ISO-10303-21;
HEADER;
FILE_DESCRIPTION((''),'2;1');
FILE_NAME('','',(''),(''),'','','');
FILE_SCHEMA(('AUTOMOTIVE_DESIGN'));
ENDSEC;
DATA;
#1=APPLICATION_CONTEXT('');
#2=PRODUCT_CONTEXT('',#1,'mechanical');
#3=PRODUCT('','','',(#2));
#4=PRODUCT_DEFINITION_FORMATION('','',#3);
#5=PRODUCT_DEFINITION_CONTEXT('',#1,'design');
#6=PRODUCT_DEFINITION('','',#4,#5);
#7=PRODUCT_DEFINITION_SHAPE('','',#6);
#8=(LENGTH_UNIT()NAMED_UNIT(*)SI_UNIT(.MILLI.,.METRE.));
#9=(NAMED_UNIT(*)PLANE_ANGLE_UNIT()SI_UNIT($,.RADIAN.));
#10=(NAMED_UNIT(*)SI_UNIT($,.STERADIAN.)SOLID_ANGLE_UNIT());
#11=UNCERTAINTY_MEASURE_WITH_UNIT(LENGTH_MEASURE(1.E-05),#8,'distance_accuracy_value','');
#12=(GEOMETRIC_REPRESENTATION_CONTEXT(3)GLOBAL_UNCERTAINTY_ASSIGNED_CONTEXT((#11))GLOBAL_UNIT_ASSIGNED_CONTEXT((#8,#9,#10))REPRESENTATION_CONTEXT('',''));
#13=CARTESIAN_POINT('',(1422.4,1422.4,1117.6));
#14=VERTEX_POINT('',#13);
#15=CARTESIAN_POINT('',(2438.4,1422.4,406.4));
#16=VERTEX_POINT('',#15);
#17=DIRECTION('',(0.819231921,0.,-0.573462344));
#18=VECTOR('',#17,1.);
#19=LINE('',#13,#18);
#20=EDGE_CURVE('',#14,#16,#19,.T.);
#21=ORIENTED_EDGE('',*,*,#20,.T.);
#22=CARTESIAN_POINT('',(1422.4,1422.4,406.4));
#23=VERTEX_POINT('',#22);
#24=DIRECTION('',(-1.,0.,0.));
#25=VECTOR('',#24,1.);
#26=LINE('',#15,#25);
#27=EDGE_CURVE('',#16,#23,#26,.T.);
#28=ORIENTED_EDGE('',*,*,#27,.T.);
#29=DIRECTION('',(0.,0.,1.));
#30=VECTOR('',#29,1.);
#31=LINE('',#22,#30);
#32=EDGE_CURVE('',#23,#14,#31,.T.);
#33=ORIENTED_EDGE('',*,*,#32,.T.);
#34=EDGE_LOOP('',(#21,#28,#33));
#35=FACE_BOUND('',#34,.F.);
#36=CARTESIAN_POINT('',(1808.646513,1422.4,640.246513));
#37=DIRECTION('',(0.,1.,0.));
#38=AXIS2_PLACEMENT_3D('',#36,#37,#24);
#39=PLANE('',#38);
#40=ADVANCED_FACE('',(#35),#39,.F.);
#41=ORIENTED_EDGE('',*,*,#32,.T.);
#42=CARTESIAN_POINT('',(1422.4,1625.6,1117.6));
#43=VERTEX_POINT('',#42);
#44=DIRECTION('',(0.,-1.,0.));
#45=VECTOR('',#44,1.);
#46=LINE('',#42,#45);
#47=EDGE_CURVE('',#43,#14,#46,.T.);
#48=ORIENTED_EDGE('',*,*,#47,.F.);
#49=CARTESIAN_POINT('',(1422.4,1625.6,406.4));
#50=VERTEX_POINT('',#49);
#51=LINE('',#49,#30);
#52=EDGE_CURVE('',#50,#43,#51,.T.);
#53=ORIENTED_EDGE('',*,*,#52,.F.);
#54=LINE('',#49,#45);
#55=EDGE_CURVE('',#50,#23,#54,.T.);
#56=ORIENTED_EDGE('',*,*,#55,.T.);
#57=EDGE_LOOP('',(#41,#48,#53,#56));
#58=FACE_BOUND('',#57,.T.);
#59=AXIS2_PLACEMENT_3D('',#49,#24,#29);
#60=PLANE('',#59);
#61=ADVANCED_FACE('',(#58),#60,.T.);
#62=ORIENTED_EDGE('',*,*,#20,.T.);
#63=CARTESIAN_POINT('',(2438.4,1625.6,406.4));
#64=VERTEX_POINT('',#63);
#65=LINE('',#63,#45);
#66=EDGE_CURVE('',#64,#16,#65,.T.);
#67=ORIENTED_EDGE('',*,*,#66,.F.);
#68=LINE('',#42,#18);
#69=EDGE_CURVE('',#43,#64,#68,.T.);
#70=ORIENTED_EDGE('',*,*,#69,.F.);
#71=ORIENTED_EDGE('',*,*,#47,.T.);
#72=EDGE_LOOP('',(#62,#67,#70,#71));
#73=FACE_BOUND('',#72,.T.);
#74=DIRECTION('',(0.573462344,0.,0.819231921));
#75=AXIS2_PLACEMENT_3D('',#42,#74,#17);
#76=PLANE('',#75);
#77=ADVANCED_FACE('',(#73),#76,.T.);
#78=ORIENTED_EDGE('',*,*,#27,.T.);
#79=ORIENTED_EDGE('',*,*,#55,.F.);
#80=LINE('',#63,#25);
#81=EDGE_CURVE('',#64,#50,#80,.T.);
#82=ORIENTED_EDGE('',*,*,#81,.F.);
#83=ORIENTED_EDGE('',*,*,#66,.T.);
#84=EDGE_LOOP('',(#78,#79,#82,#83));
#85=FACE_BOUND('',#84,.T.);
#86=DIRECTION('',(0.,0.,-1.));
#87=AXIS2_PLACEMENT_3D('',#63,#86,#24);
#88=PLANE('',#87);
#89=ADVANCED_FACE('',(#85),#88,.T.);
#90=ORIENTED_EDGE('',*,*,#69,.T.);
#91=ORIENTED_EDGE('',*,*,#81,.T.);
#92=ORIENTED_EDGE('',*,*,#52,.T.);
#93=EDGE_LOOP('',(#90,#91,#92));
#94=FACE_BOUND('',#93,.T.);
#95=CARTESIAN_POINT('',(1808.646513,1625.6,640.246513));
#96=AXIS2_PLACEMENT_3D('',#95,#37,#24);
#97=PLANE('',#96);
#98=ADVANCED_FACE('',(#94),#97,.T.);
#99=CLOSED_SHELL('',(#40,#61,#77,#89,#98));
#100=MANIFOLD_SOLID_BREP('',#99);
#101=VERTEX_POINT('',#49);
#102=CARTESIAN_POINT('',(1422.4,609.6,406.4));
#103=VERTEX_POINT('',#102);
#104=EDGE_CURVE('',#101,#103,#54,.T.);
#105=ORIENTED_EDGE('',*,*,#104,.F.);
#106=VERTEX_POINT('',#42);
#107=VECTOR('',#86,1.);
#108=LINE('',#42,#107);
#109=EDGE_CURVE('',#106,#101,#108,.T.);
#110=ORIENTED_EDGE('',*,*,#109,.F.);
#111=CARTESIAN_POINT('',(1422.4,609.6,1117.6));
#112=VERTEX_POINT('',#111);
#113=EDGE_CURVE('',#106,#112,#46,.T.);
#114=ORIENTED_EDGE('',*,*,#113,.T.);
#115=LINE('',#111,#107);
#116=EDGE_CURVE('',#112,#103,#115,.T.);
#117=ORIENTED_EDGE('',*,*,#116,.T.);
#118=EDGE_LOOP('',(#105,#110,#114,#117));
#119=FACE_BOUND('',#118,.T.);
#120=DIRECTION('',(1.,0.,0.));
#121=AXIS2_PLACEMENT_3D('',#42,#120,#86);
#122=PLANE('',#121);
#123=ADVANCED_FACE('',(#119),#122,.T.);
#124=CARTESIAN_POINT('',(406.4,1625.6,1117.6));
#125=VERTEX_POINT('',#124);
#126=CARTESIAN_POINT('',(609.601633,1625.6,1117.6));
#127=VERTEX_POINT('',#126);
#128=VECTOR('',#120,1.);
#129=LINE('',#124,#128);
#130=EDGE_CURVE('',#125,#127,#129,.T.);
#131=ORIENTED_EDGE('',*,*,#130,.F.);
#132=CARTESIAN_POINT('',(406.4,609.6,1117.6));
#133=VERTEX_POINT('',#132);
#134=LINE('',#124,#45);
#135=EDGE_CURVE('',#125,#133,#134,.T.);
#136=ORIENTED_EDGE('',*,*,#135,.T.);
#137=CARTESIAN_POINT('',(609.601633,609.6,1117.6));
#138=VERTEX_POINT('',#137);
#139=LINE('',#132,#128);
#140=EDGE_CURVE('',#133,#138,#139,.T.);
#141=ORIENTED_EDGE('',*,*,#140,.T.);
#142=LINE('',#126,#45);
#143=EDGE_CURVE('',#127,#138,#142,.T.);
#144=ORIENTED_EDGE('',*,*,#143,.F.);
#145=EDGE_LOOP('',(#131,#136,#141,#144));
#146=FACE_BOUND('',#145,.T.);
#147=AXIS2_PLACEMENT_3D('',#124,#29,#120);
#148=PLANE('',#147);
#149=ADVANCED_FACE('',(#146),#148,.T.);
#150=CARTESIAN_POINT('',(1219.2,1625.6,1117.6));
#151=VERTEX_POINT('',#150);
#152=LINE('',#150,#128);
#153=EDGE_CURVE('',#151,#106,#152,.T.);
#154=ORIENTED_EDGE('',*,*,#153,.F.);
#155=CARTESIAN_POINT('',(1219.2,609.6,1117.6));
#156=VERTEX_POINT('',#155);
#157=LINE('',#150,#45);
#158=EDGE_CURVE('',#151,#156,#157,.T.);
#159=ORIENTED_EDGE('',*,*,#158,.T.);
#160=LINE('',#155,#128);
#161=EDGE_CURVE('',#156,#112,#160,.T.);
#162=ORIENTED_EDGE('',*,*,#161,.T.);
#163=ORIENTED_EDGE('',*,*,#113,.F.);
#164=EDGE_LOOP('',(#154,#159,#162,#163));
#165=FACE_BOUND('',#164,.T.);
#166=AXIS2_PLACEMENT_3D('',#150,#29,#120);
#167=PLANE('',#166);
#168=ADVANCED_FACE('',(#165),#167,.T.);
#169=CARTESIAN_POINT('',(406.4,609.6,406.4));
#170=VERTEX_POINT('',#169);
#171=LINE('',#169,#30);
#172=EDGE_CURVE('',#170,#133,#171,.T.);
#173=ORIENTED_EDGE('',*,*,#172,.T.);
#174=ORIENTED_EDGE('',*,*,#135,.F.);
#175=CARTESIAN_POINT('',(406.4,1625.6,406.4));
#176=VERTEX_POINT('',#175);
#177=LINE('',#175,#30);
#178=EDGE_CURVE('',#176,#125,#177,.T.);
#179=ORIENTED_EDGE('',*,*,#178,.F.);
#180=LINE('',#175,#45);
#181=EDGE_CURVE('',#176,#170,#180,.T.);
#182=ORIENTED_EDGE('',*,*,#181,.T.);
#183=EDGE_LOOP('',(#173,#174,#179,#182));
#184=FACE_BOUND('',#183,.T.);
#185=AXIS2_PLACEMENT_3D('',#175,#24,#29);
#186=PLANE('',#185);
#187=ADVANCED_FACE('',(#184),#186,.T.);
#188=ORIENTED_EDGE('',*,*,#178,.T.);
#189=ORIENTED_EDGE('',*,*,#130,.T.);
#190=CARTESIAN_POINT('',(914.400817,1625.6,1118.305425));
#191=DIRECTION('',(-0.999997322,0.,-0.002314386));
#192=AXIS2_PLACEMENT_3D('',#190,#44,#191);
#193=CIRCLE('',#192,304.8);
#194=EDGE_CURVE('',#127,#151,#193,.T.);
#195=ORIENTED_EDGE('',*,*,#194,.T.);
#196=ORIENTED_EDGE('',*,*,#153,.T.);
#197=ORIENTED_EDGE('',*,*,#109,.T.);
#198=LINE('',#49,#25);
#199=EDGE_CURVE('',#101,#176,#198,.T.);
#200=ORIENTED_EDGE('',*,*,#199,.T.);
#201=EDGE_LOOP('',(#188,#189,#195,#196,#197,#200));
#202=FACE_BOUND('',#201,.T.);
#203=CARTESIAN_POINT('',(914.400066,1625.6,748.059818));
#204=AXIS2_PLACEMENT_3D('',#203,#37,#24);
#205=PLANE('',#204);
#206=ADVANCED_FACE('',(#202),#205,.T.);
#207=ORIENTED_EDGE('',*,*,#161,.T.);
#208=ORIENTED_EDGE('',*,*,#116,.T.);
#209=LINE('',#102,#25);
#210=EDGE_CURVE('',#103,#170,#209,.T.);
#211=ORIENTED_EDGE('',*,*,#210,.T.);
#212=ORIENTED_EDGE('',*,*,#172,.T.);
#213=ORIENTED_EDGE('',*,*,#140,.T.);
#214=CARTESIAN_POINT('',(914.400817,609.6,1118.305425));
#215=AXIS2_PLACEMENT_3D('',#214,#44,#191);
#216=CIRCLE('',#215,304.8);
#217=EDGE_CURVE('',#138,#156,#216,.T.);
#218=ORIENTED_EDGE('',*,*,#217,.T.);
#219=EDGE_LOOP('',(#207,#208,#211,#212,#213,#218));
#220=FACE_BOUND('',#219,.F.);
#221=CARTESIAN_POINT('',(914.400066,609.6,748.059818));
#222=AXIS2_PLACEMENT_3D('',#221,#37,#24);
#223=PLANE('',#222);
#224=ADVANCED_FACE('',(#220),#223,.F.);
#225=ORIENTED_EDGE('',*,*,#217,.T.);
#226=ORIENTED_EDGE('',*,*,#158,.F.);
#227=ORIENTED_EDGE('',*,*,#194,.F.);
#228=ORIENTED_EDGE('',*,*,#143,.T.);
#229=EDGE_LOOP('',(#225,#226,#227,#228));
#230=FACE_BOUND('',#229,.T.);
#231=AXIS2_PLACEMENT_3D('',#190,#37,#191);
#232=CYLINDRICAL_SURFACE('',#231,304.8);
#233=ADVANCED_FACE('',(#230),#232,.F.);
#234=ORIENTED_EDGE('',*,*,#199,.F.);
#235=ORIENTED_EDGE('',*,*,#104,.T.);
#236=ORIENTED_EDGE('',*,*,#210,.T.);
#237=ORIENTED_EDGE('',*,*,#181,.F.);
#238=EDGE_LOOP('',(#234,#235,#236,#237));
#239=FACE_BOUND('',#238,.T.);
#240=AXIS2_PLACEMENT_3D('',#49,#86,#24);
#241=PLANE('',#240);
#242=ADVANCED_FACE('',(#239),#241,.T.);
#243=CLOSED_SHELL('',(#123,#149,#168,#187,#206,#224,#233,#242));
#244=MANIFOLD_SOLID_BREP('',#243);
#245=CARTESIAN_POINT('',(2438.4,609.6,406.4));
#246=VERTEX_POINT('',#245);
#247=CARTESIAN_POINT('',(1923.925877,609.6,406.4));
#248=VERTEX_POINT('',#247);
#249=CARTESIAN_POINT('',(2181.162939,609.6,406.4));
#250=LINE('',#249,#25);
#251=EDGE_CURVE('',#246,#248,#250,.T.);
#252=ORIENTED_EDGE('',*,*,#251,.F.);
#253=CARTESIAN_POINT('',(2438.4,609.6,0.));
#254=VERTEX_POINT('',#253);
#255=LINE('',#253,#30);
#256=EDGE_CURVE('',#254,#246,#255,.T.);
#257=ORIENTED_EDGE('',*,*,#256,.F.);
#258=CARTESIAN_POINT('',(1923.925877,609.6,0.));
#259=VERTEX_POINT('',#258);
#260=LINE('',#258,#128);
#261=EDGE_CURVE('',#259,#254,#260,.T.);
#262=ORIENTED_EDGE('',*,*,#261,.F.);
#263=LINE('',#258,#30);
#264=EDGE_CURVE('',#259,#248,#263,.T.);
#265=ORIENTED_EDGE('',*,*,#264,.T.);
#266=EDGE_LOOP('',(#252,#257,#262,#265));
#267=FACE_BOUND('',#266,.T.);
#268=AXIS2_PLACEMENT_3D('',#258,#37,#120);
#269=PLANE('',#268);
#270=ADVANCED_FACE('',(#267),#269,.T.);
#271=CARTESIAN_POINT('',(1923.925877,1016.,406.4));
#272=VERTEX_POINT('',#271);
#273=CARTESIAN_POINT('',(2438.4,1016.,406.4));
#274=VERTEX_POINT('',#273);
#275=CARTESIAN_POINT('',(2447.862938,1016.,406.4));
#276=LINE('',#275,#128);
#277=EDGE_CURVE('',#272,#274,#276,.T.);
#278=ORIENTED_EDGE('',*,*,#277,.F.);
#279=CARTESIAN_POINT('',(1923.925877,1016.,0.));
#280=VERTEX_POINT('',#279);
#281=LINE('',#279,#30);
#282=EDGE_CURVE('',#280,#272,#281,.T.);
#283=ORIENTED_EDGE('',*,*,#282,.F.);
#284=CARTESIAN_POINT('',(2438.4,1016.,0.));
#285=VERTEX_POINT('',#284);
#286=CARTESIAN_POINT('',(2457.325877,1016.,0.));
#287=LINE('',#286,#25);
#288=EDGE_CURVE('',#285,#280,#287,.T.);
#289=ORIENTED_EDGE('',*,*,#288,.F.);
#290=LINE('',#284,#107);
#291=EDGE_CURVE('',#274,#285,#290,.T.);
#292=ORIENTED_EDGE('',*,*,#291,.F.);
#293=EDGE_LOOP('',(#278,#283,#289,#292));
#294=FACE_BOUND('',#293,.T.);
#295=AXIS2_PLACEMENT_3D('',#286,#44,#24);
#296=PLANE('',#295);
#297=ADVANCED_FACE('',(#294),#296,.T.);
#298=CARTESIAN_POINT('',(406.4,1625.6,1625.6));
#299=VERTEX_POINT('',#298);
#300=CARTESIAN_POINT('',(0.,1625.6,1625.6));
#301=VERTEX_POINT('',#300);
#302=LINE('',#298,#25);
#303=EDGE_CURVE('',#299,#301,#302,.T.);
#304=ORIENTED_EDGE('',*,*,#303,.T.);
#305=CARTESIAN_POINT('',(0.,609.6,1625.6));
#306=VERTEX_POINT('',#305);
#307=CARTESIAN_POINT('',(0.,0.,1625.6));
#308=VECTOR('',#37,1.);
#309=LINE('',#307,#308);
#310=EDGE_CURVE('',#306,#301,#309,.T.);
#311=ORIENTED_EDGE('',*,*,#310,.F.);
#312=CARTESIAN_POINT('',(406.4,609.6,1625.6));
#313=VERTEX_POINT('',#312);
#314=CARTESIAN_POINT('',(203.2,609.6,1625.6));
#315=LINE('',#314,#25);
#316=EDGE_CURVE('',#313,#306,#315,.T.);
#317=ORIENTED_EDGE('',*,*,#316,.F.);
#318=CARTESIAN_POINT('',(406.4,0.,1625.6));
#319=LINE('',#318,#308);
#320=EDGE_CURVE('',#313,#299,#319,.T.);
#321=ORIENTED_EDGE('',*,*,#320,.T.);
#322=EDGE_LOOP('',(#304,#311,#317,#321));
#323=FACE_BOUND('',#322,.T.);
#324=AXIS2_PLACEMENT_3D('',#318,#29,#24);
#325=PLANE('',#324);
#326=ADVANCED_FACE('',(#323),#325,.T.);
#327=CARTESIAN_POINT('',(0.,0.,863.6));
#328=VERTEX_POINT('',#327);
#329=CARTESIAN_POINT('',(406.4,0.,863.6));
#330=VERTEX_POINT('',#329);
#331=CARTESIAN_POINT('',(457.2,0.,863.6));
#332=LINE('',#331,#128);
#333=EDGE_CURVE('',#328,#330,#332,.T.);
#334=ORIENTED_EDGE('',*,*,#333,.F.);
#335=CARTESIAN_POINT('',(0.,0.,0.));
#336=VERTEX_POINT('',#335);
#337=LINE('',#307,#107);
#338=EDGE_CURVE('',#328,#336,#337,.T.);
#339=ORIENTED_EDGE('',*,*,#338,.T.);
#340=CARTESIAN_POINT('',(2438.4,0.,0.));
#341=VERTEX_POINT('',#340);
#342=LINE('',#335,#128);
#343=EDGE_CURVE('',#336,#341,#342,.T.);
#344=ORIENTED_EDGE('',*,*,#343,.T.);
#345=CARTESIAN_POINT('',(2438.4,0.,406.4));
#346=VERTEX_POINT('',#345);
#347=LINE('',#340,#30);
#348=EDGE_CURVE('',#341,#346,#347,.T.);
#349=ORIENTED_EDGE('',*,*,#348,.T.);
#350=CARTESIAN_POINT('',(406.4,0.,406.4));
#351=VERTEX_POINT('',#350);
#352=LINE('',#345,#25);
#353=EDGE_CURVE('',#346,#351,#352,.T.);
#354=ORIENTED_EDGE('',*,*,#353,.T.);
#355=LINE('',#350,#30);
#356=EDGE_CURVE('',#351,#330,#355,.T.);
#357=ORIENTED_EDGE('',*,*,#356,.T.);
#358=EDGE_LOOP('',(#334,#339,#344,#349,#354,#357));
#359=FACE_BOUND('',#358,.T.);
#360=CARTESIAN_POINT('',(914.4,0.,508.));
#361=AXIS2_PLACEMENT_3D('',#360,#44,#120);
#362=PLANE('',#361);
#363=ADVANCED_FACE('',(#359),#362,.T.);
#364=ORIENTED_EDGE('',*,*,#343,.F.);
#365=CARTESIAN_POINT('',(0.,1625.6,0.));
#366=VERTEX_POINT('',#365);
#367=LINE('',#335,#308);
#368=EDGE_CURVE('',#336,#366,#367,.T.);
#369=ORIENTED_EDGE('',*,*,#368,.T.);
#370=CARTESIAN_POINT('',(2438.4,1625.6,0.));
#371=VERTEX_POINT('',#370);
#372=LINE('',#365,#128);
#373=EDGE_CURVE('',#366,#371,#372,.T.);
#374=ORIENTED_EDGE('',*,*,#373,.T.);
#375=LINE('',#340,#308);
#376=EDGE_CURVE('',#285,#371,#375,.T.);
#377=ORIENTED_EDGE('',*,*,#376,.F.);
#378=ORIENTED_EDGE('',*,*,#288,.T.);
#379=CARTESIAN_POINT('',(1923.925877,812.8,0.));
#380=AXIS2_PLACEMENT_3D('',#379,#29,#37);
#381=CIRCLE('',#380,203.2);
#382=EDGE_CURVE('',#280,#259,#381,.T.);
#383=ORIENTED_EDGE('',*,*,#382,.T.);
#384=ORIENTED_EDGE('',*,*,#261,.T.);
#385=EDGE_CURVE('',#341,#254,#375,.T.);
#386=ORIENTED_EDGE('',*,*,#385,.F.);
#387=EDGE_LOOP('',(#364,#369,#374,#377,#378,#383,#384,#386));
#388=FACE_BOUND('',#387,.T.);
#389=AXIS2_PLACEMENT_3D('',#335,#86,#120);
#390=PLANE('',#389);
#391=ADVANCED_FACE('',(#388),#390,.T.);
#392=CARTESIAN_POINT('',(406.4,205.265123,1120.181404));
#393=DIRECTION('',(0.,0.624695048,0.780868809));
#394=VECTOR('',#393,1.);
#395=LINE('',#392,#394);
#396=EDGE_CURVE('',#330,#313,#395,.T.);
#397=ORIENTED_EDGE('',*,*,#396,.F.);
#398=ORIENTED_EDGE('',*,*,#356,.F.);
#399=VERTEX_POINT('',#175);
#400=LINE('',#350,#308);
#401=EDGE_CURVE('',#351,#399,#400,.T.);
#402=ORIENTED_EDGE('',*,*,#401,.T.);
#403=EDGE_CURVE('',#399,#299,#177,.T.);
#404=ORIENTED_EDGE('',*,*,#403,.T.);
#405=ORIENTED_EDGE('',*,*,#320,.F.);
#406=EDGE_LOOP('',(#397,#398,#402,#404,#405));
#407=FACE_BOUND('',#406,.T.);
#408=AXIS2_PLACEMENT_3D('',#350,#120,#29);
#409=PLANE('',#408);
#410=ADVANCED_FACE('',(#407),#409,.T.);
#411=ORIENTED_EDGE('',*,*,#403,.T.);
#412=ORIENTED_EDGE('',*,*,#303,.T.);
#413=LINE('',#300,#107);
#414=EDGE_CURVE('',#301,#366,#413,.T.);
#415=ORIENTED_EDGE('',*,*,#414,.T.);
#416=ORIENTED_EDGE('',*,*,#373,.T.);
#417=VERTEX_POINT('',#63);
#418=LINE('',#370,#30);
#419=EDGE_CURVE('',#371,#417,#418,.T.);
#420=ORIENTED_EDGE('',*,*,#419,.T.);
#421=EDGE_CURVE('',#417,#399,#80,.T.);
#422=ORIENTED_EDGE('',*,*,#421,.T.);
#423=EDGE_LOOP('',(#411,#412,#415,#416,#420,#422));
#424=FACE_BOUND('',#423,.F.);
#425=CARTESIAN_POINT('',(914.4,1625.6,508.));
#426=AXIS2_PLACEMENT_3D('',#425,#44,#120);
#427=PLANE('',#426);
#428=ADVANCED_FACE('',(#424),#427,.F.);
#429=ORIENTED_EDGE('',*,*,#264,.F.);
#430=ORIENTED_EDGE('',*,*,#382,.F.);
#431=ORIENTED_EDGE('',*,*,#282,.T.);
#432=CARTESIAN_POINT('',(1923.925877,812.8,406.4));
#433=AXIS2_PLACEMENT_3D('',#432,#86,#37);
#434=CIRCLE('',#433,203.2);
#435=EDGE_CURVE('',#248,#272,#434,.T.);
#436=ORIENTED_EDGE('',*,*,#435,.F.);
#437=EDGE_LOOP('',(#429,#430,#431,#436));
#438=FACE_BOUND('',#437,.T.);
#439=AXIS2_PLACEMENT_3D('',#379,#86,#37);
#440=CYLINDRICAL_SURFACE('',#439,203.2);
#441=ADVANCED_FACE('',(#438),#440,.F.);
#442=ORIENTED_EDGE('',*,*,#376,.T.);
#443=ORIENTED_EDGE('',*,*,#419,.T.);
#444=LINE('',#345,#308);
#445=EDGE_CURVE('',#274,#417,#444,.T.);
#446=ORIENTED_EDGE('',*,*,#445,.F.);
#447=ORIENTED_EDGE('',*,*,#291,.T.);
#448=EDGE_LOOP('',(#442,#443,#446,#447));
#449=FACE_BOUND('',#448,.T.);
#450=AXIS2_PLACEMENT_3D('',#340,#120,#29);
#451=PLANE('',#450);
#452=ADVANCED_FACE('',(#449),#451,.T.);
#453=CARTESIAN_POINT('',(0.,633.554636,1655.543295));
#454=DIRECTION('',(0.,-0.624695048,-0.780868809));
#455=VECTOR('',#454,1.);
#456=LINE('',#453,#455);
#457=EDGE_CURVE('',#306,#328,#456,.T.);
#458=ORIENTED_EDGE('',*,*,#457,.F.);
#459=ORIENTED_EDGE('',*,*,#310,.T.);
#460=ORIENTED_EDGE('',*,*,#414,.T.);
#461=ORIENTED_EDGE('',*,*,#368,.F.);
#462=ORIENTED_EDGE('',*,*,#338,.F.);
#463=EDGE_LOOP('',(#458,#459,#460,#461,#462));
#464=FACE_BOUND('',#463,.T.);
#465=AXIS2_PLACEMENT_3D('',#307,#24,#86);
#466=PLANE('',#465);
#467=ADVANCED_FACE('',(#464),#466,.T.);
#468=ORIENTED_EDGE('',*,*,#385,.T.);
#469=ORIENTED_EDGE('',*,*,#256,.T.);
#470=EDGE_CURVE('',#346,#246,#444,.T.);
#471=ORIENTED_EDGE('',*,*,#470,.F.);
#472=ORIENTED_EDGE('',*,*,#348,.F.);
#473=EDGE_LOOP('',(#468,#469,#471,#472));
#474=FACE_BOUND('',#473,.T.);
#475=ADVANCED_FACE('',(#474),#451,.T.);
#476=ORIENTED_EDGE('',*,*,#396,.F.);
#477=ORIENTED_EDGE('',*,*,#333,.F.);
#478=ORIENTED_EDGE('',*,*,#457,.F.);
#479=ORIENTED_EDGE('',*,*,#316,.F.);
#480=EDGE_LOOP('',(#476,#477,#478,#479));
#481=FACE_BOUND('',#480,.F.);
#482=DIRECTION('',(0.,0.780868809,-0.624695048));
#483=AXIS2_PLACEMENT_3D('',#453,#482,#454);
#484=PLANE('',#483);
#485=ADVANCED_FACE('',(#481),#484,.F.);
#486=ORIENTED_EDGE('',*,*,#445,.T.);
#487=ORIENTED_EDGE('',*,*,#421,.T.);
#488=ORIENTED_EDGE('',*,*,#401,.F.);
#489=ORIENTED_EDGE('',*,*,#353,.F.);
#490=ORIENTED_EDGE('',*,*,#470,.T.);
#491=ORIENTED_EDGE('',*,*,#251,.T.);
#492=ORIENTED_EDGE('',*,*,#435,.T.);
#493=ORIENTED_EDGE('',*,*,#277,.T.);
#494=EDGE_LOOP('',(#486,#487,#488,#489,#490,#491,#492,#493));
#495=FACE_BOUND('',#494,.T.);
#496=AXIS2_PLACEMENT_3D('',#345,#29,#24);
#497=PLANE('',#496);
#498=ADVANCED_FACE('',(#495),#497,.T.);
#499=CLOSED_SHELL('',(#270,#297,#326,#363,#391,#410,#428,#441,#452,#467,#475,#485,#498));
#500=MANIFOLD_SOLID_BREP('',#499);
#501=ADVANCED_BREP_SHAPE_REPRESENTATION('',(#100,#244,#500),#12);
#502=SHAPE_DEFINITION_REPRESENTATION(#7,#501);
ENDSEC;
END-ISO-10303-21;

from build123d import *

# Parameters (mm, degrees)
F2_DEPTH = 1625.6
F3_DEPTH = 1625.601
F5_DEPTH = 2438.401
F7_DEPTH = 1016
F9_DEPTH = 203.2


with BuildPart() as f2:
    # F0 (on Front) → F2 (new body)
    with BuildSketch(Plane.XZ):
        Polygon((0, 1625.6), (0, 0), (98.227218, 0), (2438.4, 0), (2438.4, 406.4), (406.4, 406.4), (406.4, 1625.6), align=None)
    extrude(amount=-F2_DEPTH)

    # F1 (on Top) → F3 (cut, through all)
    with BuildSketch(Plane.XY):
        with BuildLine():
            Line((2457.325877, 609.6), (2457.325877, 1016))
            Line((2457.325877, 1016), (1923.925877, 1016))
            ThreePointArc((1923.925877, 1016), (1720.725877, 812.8), (1923.925877, 609.6))
            Line((1923.925877, 609.6), (2457.325877, 609.6))
        make_face()
    extrude(amount=F3_DEPTH, mode=Mode.SUBTRACT)

    # F4 (on face) → F5 (cut, through all)
    with BuildSketch(Plane(origin=(0, 0, 0), x_dir=(0, -1, 0), z_dir=(-1, 0, 0))):
        Polygon((308.260679, 1655.543295), (-633.554636, 1655.543295), (-609.6, 1625.6), (0, 1625.6), (0, 863.6), (198.586172, 615.367285), align=None)
        Polygon((0, 1625.6), (-609.6, 1625.6), (0, 863.6), align=None)
    extrude(amount=-F5_DEPTH, mode=Mode.SUBTRACT)


with BuildPart() as f7:
    # F6 (on face) → F7 (new body)
    with BuildSketch(Plane(origin=(0, 1625.6, 0), x_dir=(-1, 0, 0), z_dir=(0, 1, 0))):
        with BuildLine():
            Line((-406.4, 406.4), (-406.4, 1117.6))
            Line((-406.4, 1117.6), (-609.601633, 1117.6))
            ThreePointArc((-609.601633, 1117.6), (-914.400816, 813.505425), (-1219.2, 1117.6))
            Line((-1219.2, 1117.6), (-1422.4, 1117.6))
            Line((-1422.4, 1117.6), (-1422.4, 406.4))
            Line((-1422.4, 406.4), (-406.4, 406.4))
        make_face()
    extrude(amount=-F7_DEPTH)


with BuildPart() as f9:
    # F8 (on face) → F9 (new body)
    with BuildSketch(Plane(origin=(0, 1625.6, 0), x_dir=(-1, 0, 0), z_dir=(0, 1, 0))):
        Polygon((-1422.4, 406.4), (-1422.4, 1117.6), (-2438.4, 406.4), align=None)
    extrude(amount=-F9_DEPTH)


solid = Compound([f2.part, f7.part, f9.part])
